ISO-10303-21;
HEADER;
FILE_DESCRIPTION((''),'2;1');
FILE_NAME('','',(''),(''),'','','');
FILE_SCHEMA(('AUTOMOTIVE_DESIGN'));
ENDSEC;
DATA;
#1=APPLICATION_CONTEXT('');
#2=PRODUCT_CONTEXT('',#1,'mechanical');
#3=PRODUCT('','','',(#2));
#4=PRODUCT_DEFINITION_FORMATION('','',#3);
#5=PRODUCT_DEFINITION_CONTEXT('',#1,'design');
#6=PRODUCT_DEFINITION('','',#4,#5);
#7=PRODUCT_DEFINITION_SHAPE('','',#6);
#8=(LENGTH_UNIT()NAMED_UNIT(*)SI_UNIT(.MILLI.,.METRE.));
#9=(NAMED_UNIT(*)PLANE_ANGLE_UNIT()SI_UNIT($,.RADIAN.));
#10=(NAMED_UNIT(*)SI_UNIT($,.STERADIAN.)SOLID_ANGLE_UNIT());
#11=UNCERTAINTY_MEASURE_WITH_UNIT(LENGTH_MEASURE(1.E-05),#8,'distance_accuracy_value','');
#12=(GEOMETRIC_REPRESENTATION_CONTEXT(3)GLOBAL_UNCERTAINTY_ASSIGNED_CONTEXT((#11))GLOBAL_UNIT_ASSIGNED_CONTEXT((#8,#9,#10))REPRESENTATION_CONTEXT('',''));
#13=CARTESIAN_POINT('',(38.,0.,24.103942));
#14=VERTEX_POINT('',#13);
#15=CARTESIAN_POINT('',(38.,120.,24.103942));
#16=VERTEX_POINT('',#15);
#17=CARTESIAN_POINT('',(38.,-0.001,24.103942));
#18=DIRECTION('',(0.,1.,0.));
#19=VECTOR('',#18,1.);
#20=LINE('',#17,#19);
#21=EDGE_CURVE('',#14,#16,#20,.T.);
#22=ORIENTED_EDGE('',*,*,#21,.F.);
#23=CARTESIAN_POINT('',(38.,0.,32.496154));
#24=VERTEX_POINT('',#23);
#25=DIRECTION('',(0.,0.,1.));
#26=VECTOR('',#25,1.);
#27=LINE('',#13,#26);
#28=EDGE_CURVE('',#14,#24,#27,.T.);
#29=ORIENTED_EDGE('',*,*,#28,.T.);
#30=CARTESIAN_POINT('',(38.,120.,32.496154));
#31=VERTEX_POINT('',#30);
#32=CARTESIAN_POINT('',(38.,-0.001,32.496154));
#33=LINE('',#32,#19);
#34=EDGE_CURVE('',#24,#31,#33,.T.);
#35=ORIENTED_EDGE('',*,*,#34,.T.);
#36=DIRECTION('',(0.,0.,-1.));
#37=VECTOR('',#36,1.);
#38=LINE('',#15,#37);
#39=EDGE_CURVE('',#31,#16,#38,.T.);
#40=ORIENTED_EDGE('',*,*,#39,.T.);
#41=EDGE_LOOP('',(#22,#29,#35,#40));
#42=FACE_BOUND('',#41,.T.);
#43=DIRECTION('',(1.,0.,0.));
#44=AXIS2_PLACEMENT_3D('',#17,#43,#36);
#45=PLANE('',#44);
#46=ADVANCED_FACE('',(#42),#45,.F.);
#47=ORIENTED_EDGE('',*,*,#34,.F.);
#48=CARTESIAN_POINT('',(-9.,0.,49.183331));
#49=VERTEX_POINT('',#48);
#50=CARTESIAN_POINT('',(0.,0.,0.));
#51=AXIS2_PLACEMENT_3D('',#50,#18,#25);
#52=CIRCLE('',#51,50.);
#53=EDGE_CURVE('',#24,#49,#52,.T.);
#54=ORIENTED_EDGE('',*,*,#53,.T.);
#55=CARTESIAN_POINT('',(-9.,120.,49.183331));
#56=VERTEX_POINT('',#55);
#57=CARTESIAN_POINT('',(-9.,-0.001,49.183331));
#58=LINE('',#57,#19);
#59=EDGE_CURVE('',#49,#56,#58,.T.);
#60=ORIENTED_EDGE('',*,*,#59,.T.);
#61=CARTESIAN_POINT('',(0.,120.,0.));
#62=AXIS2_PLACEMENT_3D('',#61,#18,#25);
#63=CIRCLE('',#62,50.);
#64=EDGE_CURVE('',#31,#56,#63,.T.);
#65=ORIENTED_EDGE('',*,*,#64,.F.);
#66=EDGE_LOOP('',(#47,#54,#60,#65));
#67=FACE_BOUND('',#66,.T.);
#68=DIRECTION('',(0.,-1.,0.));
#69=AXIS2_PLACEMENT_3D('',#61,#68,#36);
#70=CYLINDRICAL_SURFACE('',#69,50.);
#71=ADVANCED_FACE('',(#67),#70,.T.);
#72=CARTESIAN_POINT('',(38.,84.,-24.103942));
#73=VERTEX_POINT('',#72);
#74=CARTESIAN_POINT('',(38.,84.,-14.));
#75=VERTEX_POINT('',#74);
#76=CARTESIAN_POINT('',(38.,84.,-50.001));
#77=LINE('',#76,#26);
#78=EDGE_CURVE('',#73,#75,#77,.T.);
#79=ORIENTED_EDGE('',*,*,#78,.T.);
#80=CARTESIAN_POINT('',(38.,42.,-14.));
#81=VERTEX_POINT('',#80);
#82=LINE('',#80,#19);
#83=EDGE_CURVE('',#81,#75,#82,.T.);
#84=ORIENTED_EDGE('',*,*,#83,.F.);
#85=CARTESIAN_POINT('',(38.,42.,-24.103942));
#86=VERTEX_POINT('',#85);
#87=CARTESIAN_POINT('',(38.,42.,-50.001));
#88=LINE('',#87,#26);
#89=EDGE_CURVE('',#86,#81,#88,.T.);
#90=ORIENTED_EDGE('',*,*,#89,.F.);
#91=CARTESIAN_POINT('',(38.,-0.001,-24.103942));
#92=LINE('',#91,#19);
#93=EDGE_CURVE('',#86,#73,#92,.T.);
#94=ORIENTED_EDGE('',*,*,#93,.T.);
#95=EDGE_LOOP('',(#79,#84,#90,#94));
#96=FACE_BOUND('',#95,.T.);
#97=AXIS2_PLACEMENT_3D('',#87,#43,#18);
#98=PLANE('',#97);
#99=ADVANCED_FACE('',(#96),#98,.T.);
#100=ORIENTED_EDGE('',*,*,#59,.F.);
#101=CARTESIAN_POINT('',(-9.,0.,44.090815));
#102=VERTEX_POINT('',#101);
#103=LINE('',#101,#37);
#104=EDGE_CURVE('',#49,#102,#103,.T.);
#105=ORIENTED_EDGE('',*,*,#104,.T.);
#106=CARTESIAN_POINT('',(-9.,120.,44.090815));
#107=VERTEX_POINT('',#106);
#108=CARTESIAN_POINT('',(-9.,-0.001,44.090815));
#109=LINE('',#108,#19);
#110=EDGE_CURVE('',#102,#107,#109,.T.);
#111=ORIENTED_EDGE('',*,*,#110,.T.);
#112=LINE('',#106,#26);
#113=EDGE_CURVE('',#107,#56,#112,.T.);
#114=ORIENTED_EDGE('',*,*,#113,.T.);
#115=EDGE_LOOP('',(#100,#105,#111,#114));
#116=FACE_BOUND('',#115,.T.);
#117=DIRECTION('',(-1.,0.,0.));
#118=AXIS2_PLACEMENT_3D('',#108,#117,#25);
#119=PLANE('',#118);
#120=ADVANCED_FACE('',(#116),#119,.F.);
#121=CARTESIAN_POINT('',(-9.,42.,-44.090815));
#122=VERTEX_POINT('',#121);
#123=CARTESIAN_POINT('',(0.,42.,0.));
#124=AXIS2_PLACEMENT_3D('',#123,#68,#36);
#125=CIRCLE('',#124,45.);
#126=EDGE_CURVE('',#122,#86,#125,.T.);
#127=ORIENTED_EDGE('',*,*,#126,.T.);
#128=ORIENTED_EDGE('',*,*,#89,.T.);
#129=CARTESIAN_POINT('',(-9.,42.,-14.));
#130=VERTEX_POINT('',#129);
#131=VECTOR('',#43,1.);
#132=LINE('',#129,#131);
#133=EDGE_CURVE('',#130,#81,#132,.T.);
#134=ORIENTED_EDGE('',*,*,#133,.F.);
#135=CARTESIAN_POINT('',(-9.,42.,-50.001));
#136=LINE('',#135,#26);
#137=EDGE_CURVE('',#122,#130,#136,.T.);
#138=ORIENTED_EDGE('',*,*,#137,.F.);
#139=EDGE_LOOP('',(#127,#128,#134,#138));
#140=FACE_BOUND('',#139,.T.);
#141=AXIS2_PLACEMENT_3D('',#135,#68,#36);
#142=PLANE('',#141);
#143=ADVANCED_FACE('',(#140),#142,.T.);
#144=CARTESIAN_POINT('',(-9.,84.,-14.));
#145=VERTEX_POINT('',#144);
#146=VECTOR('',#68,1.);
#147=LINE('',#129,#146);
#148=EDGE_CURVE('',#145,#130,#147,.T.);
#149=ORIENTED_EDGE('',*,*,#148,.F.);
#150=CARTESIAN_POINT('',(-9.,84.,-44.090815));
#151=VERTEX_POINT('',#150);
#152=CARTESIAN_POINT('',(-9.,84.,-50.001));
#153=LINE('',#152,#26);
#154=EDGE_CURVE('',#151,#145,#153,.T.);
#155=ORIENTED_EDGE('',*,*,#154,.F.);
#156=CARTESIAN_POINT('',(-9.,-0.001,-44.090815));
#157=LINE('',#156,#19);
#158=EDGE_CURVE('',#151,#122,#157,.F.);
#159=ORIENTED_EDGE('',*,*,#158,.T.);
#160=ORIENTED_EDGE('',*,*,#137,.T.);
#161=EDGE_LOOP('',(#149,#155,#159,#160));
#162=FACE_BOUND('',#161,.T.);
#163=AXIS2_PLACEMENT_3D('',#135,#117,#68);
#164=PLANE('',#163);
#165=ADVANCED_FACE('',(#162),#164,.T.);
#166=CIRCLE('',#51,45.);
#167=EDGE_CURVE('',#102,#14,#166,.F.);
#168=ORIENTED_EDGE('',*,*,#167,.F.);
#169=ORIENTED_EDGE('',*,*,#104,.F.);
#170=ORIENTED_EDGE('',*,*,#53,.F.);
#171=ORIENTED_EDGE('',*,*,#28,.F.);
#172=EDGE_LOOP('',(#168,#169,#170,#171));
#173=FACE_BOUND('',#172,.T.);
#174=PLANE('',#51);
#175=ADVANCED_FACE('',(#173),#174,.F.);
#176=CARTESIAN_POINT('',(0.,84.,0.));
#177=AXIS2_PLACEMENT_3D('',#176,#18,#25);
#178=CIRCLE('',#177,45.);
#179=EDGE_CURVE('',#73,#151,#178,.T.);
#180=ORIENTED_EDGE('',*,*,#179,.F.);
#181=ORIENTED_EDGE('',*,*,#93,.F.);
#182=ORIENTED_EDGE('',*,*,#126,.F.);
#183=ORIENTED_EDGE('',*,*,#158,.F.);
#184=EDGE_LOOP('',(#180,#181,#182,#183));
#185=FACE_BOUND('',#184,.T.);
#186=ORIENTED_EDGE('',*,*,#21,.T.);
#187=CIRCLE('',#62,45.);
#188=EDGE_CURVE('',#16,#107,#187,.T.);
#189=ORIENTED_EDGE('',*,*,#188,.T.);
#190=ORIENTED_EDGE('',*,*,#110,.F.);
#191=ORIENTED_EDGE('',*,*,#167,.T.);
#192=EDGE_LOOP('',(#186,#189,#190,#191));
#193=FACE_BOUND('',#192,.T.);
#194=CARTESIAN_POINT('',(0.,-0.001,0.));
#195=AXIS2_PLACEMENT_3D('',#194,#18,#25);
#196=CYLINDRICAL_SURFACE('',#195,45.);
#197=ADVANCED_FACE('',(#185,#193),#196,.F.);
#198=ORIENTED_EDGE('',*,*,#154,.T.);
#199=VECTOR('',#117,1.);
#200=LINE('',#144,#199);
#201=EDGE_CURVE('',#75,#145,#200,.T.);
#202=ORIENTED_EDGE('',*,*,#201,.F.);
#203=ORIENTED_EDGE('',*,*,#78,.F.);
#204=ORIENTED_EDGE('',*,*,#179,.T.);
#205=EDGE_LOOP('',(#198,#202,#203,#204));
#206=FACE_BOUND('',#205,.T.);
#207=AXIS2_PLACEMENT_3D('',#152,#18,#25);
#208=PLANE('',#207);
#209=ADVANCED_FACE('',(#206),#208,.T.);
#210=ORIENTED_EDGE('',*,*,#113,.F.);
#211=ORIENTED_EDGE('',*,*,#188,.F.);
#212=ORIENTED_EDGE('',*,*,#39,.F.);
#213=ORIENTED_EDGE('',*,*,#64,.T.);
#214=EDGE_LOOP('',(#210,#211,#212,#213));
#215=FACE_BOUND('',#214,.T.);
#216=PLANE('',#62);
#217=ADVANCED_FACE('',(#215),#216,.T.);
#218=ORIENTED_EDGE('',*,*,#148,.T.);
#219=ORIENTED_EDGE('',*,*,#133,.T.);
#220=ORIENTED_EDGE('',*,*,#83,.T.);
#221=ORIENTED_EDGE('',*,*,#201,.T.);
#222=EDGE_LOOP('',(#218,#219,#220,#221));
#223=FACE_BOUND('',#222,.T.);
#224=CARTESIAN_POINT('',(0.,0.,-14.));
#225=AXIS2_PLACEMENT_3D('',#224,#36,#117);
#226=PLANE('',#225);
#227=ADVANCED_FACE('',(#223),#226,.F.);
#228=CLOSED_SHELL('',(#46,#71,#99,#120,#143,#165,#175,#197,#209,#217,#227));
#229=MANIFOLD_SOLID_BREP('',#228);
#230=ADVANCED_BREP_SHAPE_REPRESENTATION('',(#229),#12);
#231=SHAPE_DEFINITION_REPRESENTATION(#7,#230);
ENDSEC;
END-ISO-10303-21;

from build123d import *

# Parameters (mm, degrees)
CROQUIS1_R                   = 50
SALIENTE_EXTRUIR1_DEPTH      = 120
CORTAR_EXTRUIR1_REACH        = 141.284
CROQUIS2_R                   = 45
SALIENTE_EXTRUIR2_REACH      = 141.284
SALIENTE_EXTRUIR2_END_RADIUS = 45
CROQUIS4_W                   = 47
CROQUIS4_H                   = 42
CROQUIS5_W                   = 47
CROQUIS5_H                   = 42
CORTAR_EXTRUIR2_DEPTH        = 14
CORTAR_EXTRUIR3_REACH        = 141.284


with BuildPart() as part:
    # Croquis1 → Saliente-Extruir1 (new body)
    with BuildSketch(Plane(origin=(0, 0, 0), x_dir=(1, 0, 0), z_dir=(0, 1, 0))):
        with Locations(Location((0, 0, 0), (0, 0, 270))):
            Circle(CROQUIS1_R)
    extrude(amount=SALIENTE_EXTRUIR1_DEPTH)

    # Croquis2 → Cortar-Extruir1 (cut, up to next)
    with BuildSketch(Plane(origin=(0, 120, 0), x_dir=(1, 0, 0), z_dir=(0, 1, 0)), mode=Mode.PRIVATE) as cortar_extruir1_sk1:
        with Locations(Location((0, 0, 0), (0, 0, 270))):
            Circle(CROQUIS2_R)
    cortar_extruir1_tool1 = extrude(cortar_extruir1_sk1.sketch, amount=-CORTAR_EXTRUIR1_REACH, mode=Mode.PRIVATE) & part.part
    add(cortar_extruir1_tool1.solids().sort_by_distance((0, 120, 0))[0], mode=Mode.SUBTRACT)

    # Saliente-Extruir2: up to this cylinder (the profile starts inside it)
    saliente_extruir2_end = Plane(origin=(0, 63, 0), z_dir=(0, 1, 0)) * Cylinder(SALIENTE_EXTRUIR2_END_RADIUS, 373.568, mode=Mode.PRIVATE)
    # Croquis4 → Saliente-Extruir2 (add, up to the surface)
    with BuildSketch(Plane.XY, mode=Mode.PRIVATE) as saliente_extruir2_sk1:
        with Locations((14.5, 63)):
            Rectangle(CROQUIS4_W, CROQUIS4_H)
    saliente_extruir2_tool1 = extrude(saliente_extruir2_sk1.sketch, amount=-SALIENTE_EXTRUIR2_REACH, mode=Mode.PRIVATE) & saliente_extruir2_end
    add(saliente_extruir2_tool1.solids().sort_by_distance((14.5, 63, 0))[0])

    # Croquis5 → Cortar-Extruir2 (cut)
    with BuildSketch(Plane.XY):
        with Locations((14.5, 63)):
            Rectangle(CROQUIS5_W, CROQUIS5_H)
    extrude(amount=-CORTAR_EXTRUIR2_DEPTH, mode=Mode.SUBTRACT)

    # Croquis7 → Cortar-Extruir3 (cut, up to next)
    with BuildSketch(Plane(origin=(0, 120, 0), x_dir=(1, 0, 0), z_dir=(0, 1, 0)), mode=Mode.PRIVATE) as cortar_extruir3_sk1:
        with BuildLine():
            Line((-9, -44.09081537), (-9, -49.183330509))
            ThreePointArc((-9, -49.183330509), (16.72918014, -47.118303576), (38, -32.496153619))
            Line((38, -32.496153619), (38, -24.103941586))
            ThreePointArc((38, -24.103941586), (17.61018969, -41.41112434), (-9, -44.09081537))
        make_face()
    cortar_extruir3_tool1 = extrude(cortar_extruir3_sk1.sketch, amount=-CORTAR_EXTRUIR3_REACH, mode=Mode.PRIVATE) & part.part
    add(cortar_extruir3_tool1.solids().sort_by_distance((16.242492, 120, 42.000337))[0], mode=Mode.SUBTRACT)


solid = part.part
